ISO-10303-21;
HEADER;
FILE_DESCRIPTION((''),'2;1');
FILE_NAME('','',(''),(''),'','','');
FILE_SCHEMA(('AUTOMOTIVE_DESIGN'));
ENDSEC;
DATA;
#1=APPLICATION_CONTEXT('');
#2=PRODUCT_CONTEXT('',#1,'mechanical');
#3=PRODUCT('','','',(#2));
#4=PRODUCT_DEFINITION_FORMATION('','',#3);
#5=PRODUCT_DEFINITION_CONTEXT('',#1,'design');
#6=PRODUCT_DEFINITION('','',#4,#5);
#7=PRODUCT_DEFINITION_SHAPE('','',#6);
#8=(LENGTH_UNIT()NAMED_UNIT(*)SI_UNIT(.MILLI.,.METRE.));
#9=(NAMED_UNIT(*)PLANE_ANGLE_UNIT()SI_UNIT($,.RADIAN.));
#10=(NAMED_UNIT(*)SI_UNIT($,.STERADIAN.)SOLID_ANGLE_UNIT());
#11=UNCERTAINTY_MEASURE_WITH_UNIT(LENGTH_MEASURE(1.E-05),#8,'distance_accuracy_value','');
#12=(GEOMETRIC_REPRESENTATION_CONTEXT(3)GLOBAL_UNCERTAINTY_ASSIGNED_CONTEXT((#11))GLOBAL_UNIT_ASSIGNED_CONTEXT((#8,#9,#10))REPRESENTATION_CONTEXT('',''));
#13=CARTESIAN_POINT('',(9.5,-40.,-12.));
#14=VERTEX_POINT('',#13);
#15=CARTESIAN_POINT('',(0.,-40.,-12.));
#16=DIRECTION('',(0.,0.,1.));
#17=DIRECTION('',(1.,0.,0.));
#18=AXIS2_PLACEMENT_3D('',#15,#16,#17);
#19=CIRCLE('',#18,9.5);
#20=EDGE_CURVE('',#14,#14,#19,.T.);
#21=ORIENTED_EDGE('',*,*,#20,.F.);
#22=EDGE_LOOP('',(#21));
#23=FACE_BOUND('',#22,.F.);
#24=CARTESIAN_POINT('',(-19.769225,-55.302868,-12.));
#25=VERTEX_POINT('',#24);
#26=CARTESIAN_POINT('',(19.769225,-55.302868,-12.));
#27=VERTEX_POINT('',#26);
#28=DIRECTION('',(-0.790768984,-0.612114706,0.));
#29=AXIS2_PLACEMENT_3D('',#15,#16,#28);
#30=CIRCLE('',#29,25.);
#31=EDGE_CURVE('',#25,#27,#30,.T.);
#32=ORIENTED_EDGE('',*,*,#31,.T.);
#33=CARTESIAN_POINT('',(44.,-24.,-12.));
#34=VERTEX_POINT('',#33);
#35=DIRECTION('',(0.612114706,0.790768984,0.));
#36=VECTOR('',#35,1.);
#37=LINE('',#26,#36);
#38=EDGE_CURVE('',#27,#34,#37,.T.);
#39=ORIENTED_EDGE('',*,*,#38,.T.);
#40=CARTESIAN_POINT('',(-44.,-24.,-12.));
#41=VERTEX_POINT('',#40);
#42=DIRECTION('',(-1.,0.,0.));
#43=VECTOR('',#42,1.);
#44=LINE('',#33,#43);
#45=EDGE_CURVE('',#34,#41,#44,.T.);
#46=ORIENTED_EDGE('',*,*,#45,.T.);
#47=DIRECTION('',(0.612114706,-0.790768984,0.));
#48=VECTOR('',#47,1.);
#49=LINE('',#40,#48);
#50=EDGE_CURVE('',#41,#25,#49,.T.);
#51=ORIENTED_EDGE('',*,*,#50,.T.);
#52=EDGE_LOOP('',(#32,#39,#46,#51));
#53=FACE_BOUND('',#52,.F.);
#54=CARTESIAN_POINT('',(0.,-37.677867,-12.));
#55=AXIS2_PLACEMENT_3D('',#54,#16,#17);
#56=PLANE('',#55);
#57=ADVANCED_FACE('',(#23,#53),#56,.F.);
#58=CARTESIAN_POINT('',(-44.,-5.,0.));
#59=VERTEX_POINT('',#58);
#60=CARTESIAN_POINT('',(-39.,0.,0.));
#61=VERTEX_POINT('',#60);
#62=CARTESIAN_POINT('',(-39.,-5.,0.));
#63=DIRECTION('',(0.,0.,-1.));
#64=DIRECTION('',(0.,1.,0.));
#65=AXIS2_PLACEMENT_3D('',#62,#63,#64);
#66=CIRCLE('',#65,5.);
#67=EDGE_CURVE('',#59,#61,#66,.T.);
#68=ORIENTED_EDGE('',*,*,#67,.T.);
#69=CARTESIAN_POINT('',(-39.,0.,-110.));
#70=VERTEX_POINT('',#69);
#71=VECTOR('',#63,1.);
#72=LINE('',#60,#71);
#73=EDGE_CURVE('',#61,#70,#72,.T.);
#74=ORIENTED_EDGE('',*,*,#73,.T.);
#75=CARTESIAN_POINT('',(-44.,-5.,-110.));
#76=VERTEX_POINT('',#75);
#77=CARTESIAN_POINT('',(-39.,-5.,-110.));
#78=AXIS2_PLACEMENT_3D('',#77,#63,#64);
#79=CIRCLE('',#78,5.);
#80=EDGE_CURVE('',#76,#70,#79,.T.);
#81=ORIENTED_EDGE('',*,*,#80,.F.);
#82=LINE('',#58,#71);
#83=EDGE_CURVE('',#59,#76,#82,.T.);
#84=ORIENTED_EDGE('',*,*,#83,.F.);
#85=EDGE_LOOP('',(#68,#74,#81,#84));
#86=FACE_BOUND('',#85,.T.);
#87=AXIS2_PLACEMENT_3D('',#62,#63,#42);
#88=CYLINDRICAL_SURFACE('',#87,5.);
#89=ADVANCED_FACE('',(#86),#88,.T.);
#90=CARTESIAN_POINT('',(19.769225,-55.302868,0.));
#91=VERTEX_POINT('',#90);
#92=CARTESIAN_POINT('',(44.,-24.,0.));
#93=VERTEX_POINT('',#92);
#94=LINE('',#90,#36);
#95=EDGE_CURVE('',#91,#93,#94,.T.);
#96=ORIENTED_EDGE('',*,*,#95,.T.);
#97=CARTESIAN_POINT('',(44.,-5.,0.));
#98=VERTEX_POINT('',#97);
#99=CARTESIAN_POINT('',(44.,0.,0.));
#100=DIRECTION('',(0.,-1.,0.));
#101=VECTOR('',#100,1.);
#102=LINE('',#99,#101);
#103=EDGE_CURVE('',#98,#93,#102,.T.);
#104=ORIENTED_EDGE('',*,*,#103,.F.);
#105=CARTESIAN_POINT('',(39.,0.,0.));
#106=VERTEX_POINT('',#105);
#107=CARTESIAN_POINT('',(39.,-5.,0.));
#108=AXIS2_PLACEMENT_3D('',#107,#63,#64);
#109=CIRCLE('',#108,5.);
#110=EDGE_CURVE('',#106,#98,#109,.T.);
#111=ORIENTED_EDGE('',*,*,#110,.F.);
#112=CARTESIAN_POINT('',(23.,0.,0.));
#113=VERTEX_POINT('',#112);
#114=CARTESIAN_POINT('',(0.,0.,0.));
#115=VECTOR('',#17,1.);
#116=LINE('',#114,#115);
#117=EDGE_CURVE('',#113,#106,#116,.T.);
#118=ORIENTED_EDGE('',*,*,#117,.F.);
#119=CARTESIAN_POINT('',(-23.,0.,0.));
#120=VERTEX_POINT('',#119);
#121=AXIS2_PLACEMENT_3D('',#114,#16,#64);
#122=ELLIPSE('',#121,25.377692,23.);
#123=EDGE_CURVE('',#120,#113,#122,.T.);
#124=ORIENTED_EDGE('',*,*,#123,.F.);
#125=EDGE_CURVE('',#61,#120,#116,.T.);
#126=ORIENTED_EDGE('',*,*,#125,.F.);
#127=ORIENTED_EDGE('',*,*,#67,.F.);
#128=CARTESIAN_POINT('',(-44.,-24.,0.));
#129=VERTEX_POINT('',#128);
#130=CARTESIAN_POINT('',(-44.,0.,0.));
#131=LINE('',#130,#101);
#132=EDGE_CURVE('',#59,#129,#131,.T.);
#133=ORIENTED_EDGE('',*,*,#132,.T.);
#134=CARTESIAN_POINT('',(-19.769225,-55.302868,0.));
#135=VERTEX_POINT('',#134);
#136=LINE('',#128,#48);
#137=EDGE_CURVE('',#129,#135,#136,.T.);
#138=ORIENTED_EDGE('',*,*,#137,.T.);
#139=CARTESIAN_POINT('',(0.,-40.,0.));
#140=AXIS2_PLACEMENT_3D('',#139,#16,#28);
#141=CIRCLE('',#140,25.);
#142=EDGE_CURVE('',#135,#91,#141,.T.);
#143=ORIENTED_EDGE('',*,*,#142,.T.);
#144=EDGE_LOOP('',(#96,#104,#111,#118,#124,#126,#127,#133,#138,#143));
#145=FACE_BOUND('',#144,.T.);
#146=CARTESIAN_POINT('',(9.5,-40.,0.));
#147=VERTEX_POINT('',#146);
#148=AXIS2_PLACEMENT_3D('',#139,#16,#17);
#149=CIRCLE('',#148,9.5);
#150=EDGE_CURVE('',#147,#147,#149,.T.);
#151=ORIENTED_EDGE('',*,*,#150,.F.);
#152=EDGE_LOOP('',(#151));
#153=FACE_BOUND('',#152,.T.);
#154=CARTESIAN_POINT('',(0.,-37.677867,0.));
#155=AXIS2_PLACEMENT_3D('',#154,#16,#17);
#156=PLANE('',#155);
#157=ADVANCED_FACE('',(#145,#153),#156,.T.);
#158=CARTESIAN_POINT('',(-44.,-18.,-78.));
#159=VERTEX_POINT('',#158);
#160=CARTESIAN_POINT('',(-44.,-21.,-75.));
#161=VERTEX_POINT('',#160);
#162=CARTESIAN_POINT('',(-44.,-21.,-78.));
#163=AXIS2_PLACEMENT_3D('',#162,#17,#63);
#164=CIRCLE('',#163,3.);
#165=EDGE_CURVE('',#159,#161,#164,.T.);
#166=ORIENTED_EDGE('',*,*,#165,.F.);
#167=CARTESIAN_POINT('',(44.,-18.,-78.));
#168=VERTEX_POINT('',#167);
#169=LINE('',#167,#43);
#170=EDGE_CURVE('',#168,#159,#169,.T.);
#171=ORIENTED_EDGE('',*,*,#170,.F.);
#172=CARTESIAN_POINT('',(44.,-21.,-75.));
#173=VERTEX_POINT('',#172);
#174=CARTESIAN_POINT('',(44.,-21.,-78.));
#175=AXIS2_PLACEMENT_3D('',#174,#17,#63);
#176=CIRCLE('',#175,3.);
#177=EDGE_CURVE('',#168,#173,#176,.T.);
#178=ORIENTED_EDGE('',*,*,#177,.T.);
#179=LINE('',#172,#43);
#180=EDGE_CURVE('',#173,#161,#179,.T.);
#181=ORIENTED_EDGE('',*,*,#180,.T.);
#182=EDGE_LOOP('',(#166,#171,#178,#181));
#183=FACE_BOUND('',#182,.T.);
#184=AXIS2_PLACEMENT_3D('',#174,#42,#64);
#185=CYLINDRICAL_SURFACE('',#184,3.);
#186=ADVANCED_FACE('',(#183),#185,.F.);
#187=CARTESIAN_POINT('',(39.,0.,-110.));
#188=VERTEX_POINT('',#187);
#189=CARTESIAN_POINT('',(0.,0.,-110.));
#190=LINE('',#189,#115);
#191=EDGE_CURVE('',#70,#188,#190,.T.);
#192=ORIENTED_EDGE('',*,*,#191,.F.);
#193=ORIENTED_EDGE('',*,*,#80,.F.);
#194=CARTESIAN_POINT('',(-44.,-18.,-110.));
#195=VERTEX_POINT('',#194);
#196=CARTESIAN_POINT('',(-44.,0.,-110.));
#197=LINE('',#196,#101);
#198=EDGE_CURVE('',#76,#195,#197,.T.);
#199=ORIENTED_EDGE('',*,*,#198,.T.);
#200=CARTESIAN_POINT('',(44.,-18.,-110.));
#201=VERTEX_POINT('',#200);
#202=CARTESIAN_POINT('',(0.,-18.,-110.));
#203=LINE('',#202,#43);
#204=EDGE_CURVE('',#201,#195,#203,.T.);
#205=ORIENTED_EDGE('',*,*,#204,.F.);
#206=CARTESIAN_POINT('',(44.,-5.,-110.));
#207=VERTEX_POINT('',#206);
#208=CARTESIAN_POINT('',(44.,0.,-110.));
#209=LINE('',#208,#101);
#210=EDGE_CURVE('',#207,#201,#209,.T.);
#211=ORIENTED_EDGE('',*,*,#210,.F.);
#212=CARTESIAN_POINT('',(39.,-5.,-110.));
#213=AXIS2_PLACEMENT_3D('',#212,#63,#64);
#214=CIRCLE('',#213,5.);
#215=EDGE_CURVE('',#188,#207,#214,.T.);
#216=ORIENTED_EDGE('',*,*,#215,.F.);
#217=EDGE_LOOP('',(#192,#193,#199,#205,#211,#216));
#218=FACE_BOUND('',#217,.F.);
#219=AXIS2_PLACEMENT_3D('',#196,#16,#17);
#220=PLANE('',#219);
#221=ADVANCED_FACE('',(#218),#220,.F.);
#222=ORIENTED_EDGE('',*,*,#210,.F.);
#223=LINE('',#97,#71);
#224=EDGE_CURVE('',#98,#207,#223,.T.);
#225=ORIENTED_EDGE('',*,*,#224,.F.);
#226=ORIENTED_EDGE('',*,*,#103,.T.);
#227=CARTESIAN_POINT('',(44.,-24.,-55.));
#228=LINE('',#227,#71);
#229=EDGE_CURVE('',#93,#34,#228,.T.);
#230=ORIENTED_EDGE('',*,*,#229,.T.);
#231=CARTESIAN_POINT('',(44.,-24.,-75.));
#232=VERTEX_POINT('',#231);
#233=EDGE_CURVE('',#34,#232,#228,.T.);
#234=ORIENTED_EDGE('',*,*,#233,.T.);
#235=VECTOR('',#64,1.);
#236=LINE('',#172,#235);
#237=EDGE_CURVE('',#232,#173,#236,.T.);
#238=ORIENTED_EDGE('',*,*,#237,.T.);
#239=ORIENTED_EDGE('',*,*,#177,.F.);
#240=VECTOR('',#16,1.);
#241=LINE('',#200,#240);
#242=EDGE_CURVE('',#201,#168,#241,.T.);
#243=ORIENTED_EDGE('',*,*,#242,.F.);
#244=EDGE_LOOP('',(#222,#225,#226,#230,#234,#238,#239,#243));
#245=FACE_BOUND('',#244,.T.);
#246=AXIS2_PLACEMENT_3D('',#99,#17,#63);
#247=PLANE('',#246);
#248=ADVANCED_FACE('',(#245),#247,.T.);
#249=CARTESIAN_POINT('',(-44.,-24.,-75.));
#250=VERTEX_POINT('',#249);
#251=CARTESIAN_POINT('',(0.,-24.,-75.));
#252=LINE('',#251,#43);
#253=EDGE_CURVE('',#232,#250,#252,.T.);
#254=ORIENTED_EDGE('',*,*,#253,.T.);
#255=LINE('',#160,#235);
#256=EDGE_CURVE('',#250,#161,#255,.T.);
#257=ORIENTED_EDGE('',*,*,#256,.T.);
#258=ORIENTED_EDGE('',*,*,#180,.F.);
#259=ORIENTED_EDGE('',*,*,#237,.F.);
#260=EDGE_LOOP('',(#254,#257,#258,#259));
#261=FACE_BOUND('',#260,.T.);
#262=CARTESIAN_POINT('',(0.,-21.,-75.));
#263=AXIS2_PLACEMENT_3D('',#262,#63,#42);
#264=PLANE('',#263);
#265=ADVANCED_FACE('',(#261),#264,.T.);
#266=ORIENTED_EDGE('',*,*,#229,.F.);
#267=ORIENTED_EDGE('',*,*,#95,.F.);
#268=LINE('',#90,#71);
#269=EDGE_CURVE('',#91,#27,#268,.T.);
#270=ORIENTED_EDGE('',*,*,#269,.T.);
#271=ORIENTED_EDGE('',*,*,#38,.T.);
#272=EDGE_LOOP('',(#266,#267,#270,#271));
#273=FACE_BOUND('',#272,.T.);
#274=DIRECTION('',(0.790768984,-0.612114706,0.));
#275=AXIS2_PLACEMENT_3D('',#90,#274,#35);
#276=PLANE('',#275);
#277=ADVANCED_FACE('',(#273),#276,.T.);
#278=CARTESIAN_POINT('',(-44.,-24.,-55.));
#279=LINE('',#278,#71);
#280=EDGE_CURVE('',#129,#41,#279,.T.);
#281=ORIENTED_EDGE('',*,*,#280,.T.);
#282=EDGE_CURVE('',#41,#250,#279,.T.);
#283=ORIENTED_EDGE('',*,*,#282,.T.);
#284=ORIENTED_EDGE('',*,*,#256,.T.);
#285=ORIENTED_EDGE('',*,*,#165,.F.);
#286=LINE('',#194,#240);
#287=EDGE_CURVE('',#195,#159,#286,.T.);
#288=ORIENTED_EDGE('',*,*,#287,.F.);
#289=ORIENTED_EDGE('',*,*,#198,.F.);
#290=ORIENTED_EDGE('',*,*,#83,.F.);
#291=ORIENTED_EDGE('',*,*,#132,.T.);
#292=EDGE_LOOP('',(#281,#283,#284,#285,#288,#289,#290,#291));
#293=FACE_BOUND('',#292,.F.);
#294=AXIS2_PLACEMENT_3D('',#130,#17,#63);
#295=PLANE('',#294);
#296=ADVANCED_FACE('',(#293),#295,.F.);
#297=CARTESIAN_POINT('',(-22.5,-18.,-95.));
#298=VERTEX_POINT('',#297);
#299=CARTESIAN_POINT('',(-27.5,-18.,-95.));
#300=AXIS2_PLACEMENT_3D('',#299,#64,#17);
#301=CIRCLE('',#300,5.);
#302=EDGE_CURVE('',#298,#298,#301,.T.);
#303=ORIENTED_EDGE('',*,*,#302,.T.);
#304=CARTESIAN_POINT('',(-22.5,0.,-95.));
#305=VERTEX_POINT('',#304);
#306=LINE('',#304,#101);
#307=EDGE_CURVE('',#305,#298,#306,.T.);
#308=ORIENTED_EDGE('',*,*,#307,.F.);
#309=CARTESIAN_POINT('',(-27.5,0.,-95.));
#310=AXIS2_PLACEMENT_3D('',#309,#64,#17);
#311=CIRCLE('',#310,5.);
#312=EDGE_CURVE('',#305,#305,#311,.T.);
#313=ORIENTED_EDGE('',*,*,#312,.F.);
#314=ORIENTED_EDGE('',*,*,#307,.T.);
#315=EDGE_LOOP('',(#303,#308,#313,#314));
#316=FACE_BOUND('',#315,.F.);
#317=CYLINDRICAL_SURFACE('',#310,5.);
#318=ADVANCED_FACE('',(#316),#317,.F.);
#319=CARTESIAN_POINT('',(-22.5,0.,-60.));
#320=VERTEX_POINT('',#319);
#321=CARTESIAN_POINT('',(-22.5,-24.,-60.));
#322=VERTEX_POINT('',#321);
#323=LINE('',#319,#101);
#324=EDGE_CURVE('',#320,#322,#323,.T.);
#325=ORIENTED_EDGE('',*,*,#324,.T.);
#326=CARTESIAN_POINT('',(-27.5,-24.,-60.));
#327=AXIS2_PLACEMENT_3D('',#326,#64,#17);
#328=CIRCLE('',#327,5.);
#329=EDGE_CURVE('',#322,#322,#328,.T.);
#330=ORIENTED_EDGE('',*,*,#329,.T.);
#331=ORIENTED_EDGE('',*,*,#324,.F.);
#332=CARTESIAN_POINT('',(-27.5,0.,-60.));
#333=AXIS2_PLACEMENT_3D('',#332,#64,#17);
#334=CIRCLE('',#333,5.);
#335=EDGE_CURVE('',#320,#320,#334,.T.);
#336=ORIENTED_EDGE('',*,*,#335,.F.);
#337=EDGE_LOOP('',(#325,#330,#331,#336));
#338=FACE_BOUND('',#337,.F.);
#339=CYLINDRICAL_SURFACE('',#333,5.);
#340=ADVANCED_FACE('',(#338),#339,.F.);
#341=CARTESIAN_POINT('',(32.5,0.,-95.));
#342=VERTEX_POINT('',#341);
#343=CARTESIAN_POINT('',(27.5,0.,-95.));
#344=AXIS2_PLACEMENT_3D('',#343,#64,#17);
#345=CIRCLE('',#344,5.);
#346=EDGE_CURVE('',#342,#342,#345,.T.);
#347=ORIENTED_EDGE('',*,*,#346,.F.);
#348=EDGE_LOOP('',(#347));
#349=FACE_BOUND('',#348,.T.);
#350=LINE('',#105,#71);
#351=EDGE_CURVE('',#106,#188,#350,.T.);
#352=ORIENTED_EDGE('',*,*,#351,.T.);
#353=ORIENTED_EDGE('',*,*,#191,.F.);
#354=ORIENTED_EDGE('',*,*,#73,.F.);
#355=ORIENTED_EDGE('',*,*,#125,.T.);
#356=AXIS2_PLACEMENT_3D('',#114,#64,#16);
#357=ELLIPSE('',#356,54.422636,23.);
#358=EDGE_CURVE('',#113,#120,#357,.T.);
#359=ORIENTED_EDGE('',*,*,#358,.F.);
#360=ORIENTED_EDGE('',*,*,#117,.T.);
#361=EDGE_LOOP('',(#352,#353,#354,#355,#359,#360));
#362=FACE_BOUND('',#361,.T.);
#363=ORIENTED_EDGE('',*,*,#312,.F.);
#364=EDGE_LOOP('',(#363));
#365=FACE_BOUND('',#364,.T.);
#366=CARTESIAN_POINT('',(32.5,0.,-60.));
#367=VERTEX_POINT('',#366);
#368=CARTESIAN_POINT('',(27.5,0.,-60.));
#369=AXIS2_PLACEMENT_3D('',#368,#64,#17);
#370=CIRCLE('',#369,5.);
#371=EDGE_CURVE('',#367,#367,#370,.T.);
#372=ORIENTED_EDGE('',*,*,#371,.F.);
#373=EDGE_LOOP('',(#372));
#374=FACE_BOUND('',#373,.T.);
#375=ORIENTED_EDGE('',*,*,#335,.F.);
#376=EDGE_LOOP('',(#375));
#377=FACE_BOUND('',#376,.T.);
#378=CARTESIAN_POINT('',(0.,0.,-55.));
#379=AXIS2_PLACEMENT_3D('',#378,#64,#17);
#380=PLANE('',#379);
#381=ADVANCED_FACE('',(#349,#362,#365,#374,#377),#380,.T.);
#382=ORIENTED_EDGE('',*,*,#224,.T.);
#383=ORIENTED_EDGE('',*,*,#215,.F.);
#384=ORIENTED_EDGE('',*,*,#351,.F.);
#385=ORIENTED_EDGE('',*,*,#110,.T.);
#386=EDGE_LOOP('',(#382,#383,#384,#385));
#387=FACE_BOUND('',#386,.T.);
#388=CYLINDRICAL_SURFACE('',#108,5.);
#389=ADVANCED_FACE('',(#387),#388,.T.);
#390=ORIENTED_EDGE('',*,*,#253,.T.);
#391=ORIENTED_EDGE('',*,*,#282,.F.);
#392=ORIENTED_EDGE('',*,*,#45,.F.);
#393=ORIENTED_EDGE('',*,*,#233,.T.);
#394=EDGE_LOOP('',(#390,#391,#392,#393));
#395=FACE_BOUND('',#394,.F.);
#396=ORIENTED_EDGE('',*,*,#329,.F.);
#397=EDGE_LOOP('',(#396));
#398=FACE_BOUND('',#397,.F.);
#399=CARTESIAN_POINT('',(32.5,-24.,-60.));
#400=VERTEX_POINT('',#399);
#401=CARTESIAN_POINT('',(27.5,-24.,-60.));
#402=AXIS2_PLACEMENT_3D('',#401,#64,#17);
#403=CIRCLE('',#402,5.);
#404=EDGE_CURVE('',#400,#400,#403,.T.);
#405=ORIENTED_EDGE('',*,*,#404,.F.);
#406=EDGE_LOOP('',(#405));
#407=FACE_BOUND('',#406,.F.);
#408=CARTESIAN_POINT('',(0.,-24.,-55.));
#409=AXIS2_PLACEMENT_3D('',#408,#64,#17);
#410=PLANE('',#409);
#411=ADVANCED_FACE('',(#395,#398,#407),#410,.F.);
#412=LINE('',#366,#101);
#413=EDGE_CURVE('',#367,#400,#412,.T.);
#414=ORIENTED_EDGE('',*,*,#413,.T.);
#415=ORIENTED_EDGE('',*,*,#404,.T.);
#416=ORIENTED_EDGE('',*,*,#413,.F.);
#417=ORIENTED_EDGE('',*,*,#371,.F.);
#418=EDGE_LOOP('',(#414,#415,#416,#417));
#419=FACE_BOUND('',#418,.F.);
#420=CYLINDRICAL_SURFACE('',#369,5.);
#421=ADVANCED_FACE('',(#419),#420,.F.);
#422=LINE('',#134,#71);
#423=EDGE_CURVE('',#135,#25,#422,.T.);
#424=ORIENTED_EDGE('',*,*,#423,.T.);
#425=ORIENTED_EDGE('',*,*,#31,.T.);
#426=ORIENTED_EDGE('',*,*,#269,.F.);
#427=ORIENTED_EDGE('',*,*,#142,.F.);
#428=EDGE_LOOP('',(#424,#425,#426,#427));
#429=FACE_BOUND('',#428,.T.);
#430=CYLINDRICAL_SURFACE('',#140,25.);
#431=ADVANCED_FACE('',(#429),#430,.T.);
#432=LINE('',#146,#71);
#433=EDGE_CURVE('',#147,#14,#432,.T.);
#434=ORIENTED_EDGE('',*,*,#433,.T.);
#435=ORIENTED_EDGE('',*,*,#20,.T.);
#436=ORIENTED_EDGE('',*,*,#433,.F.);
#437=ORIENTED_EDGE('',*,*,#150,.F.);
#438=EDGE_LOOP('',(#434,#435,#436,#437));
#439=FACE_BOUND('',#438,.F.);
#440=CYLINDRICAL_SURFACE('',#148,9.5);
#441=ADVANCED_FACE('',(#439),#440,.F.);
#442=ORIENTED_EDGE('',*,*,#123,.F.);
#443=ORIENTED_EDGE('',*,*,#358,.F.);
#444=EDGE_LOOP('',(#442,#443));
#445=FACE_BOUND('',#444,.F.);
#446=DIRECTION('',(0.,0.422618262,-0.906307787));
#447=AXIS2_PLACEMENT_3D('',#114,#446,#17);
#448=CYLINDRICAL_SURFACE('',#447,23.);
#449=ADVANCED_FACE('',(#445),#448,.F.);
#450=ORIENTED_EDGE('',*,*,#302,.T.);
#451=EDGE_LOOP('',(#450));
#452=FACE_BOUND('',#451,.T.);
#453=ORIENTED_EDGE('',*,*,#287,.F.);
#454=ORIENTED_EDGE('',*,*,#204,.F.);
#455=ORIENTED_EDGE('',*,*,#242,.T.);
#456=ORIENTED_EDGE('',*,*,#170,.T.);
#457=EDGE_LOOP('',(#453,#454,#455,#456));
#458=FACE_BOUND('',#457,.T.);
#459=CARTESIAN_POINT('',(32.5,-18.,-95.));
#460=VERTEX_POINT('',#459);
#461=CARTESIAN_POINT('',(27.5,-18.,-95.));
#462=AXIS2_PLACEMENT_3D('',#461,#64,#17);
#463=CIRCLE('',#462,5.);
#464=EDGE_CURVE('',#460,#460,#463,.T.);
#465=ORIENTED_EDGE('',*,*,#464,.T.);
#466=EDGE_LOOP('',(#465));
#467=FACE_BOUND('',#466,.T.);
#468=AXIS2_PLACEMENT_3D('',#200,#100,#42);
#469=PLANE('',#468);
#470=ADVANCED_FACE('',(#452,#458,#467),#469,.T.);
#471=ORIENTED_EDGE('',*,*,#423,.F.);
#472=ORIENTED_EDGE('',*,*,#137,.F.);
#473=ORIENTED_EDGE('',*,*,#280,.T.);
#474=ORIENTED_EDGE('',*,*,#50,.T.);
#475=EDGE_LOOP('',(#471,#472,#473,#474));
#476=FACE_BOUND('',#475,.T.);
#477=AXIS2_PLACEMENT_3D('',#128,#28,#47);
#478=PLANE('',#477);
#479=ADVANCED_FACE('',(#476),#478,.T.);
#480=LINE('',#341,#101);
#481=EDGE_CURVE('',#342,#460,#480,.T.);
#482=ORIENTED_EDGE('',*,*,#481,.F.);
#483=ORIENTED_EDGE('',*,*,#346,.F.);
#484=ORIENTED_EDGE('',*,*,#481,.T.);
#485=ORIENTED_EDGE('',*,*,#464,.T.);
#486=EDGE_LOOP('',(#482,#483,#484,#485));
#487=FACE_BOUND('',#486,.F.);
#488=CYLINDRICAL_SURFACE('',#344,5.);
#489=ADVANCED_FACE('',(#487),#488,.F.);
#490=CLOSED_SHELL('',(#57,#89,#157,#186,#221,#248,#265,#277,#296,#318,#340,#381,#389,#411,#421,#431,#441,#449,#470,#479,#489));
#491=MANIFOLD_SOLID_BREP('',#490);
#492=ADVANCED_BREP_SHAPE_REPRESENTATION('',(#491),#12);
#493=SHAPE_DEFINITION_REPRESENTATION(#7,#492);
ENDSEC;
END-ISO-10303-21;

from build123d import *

# Parameters (mm, degrees)
SKETCH1_W               = 88
SKETCH1_H               = 110
SKETCH1_R               = 5
BOSS_EXTRUDE1_DEPTH     = 24
SKETCH3_R               = 9.5
BOSS_EXTRUDE2_DEPTH     = 12
FILLET1_R               = 5
SKETCH4_W               = 88
SKETCH4_H               = 6
CUT_EXTRUDE1_DEPTH      = 35
FILLET2_R               = 3
SKETCH5_R               = 23
CUT_EXTRUDE2_DEPTH      = 109
CUT_EXTRUDE2_DEPTH_BACK = 35


with BuildPart() as part:
    # Sketch1 → Boss-Extrude1 (new body)
    with BuildSketch(Plane(origin=(0, 0, 0), x_dir=(1, 0, 0), z_dir=(0, 1, 0))):
        with Locations((0, 55)):
            Rectangle(SKETCH1_W, SKETCH1_H)
        with Locations((-27.5, 95)):
            Circle(SKETCH1_R, mode=Mode.SUBTRACT)
        with Locations((-27.5, 60)):
            Circle(SKETCH1_R, mode=Mode.SUBTRACT)
        with Locations((27.5, 60)):
            Circle(SKETCH1_R, mode=Mode.SUBTRACT)
        with Locations((27.5, 95)):
            Circle(SKETCH1_R, mode=Mode.SUBTRACT)
    extrude(amount=-BOSS_EXTRUDE1_DEPTH)

    # Sketch3 → Boss-Extrude2 (add)
    with BuildSketch(Plane.XY):
        with BuildLine():
            Line((-44, -24), (-19.769224603, -55.302867659))
            ThreePointArc((-19.769224603, -55.302867659), (0, -65), (19.769224603, -55.302867659))
            Line((19.769224603, -55.302867659), (44, -24))
            Line((44, -24), (-44, -24))
        make_face()
        with Locations((0, -40)):
            Circle(SKETCH3_R, mode=Mode.SUBTRACT)
    extrude(amount=-BOSS_EXTRUDE2_DEPTH)

    # Fillet1
    fillet1_edges = [part.edges().sort_by_distance(p)[0] for p in [
        (-44, 0, -55),
        (44, 0, -55),
    ]]
    fillet(fillet1_edges, radius=FILLET1_R)

    # Sketch4 → Cut-Extrude1 (cut)
    with BuildSketch(Plane(origin=(0, 0, -110), x_dir=(-1, 0, 0), z_dir=(0, 0, -1))):
        with Locations((0, -21)):
            Rectangle(SKETCH4_W, SKETCH4_H)
    extrude(amount=-CUT_EXTRUDE1_DEPTH, mode=Mode.SUBTRACT)

    # Fillet2
    fillet2_edges = [part.edges().sort_by_distance(p)[0] for p in [
        (0, -18, -75),
    ]]
    fillet(fillet2_edges, radius=FILLET2_R)

    # Sketch5 → Cut-Extrude2 (cut, two sides)
    with BuildSketch(Plane(origin=(0, 0, 0), x_dir=(1, 0, 0), z_dir=(0, 0.422618262, -0.906307787))) as cut_extrude2_sk:
        Circle(SKETCH5_R)
    extrude(amount=CUT_EXTRUDE2_DEPTH, mode=Mode.SUBTRACT)
    extrude(cut_extrude2_sk.sketch, amount=-CUT_EXTRUDE2_DEPTH_BACK, mode=Mode.SUBTRACT)


solid = part.part
